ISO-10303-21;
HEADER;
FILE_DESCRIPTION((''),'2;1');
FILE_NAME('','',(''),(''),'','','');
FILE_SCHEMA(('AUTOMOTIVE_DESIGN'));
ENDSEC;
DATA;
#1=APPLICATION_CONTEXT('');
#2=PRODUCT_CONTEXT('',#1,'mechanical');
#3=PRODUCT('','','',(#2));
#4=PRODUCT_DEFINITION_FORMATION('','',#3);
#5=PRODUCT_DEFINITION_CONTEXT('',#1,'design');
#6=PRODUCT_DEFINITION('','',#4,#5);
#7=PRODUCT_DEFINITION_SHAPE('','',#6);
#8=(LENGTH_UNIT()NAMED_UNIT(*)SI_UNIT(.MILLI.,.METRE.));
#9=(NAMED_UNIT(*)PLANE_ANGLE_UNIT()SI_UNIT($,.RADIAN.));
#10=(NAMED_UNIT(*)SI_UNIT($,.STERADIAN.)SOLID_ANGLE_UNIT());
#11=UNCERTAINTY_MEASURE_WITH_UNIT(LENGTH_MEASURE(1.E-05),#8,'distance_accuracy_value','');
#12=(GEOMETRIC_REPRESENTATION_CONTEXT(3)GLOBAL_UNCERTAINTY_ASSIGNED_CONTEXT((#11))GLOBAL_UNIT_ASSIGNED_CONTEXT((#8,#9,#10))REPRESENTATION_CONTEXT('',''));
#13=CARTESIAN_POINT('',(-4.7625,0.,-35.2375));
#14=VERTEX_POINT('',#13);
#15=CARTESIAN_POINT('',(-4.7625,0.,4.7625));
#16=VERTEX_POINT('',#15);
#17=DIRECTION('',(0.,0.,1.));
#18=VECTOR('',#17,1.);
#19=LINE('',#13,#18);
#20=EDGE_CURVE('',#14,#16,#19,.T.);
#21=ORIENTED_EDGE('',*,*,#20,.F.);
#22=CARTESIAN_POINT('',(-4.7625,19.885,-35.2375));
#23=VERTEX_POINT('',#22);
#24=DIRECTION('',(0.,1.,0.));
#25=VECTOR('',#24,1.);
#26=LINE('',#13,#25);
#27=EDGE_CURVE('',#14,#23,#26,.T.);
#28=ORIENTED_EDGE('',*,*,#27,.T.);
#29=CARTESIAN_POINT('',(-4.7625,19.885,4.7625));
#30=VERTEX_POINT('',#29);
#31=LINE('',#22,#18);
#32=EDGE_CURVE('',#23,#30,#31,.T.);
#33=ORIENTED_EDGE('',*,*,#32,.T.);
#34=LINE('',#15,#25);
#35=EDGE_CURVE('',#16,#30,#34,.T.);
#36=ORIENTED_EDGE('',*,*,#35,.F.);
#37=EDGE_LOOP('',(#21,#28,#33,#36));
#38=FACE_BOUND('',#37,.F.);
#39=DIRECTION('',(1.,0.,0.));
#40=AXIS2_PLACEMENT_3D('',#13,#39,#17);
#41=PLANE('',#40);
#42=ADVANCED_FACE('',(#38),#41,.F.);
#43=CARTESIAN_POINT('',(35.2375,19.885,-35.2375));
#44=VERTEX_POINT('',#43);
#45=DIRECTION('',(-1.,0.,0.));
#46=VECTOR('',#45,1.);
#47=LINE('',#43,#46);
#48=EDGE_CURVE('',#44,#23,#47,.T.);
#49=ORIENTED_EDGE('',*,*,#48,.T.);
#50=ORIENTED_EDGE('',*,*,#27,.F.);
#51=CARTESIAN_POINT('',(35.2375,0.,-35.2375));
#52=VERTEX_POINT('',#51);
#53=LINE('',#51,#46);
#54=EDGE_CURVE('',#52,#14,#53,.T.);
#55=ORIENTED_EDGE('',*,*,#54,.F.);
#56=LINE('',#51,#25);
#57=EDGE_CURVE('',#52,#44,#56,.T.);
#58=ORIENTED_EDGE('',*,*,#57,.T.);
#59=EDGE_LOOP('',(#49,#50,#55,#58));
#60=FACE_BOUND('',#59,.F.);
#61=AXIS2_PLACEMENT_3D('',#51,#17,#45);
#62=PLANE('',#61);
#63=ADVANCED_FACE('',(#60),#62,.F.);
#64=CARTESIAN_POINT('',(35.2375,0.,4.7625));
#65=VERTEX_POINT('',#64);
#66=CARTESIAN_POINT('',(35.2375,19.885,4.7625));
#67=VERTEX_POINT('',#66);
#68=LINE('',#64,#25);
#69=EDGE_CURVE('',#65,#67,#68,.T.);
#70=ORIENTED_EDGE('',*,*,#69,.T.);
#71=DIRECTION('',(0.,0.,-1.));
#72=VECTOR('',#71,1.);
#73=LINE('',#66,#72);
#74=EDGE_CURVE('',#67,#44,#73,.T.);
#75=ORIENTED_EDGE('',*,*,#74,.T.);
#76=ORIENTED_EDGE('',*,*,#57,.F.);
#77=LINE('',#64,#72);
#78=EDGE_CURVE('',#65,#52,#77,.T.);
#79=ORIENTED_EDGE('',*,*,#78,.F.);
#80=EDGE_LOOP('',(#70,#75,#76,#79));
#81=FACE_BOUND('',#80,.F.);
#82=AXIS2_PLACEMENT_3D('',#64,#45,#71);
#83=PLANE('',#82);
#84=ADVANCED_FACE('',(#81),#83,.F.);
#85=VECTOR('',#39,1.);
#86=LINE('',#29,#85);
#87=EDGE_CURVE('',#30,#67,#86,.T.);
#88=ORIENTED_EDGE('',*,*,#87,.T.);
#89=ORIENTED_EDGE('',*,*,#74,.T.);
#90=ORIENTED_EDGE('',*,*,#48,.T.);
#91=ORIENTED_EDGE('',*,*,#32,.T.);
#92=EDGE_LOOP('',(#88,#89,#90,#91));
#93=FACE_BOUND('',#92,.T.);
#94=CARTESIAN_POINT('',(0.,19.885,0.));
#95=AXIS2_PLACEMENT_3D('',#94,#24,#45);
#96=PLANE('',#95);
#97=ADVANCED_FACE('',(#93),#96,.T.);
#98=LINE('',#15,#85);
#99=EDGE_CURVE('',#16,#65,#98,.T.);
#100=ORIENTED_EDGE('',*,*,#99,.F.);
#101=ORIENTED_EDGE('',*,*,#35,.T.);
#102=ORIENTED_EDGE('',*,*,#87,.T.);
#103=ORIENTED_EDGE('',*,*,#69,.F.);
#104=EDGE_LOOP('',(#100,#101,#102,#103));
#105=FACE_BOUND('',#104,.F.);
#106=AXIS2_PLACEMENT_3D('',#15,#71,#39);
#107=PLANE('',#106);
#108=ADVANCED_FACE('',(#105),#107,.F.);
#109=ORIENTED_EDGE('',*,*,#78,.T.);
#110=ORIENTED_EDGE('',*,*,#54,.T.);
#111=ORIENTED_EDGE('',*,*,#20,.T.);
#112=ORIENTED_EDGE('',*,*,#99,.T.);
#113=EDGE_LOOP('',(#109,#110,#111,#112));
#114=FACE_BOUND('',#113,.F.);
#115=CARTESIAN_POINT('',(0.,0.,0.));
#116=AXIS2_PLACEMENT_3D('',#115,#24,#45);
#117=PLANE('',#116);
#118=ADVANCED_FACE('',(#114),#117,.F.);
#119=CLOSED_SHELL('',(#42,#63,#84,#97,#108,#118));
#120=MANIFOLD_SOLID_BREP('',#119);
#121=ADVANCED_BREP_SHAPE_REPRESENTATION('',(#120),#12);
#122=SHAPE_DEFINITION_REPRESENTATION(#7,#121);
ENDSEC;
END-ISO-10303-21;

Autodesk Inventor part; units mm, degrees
ref_plane "YZ Plane" through (0, 0, 0) normal (1, 0, 0) x (0, 1, 0)
ref_plane "XZ Plane" through (0, 0, 0) normal (0, 1, 0) x (-1, 0, 0)
ref_plane "XY Plane" through (0, 0, 0) normal (0, 0, 1) x (1, 0, 0)
sketch "Sketch1" plane through (0, 0, 0) normal (0, 1, 0) x (-1, 0, 0)
  point P0 (0, 0)
sketch "Sketch2" plane through (0, 0, 0) normal (0, 1, 0) x (-1, 0, 0)
  point P0 (0, 0)
sketch "Sketch3" plane through (0, 0, 0) normal (0, 1, 0) x (-1, 0, 0)
  line L0 (4.7625, 4.7625) -> (-35.2375, 4.7625)
  line L1 (-35.2375, 4.7625) -> (-35.2375, -35.2375)
  line L2 (-35.2375, -35.2375) -> (4.7625, -35.2375)
  line L3 (4.7625, -35.2375) -> (4.7625, 4.7625)
  point P0 (0, 0)
  dimension "d0" = 40
  dimension "d1" = 40
extrude "Extrusion1" add sketch "Sketch3" along normal blind 19.885
properties part number "cube" material "Brass, Soft Yellow"
